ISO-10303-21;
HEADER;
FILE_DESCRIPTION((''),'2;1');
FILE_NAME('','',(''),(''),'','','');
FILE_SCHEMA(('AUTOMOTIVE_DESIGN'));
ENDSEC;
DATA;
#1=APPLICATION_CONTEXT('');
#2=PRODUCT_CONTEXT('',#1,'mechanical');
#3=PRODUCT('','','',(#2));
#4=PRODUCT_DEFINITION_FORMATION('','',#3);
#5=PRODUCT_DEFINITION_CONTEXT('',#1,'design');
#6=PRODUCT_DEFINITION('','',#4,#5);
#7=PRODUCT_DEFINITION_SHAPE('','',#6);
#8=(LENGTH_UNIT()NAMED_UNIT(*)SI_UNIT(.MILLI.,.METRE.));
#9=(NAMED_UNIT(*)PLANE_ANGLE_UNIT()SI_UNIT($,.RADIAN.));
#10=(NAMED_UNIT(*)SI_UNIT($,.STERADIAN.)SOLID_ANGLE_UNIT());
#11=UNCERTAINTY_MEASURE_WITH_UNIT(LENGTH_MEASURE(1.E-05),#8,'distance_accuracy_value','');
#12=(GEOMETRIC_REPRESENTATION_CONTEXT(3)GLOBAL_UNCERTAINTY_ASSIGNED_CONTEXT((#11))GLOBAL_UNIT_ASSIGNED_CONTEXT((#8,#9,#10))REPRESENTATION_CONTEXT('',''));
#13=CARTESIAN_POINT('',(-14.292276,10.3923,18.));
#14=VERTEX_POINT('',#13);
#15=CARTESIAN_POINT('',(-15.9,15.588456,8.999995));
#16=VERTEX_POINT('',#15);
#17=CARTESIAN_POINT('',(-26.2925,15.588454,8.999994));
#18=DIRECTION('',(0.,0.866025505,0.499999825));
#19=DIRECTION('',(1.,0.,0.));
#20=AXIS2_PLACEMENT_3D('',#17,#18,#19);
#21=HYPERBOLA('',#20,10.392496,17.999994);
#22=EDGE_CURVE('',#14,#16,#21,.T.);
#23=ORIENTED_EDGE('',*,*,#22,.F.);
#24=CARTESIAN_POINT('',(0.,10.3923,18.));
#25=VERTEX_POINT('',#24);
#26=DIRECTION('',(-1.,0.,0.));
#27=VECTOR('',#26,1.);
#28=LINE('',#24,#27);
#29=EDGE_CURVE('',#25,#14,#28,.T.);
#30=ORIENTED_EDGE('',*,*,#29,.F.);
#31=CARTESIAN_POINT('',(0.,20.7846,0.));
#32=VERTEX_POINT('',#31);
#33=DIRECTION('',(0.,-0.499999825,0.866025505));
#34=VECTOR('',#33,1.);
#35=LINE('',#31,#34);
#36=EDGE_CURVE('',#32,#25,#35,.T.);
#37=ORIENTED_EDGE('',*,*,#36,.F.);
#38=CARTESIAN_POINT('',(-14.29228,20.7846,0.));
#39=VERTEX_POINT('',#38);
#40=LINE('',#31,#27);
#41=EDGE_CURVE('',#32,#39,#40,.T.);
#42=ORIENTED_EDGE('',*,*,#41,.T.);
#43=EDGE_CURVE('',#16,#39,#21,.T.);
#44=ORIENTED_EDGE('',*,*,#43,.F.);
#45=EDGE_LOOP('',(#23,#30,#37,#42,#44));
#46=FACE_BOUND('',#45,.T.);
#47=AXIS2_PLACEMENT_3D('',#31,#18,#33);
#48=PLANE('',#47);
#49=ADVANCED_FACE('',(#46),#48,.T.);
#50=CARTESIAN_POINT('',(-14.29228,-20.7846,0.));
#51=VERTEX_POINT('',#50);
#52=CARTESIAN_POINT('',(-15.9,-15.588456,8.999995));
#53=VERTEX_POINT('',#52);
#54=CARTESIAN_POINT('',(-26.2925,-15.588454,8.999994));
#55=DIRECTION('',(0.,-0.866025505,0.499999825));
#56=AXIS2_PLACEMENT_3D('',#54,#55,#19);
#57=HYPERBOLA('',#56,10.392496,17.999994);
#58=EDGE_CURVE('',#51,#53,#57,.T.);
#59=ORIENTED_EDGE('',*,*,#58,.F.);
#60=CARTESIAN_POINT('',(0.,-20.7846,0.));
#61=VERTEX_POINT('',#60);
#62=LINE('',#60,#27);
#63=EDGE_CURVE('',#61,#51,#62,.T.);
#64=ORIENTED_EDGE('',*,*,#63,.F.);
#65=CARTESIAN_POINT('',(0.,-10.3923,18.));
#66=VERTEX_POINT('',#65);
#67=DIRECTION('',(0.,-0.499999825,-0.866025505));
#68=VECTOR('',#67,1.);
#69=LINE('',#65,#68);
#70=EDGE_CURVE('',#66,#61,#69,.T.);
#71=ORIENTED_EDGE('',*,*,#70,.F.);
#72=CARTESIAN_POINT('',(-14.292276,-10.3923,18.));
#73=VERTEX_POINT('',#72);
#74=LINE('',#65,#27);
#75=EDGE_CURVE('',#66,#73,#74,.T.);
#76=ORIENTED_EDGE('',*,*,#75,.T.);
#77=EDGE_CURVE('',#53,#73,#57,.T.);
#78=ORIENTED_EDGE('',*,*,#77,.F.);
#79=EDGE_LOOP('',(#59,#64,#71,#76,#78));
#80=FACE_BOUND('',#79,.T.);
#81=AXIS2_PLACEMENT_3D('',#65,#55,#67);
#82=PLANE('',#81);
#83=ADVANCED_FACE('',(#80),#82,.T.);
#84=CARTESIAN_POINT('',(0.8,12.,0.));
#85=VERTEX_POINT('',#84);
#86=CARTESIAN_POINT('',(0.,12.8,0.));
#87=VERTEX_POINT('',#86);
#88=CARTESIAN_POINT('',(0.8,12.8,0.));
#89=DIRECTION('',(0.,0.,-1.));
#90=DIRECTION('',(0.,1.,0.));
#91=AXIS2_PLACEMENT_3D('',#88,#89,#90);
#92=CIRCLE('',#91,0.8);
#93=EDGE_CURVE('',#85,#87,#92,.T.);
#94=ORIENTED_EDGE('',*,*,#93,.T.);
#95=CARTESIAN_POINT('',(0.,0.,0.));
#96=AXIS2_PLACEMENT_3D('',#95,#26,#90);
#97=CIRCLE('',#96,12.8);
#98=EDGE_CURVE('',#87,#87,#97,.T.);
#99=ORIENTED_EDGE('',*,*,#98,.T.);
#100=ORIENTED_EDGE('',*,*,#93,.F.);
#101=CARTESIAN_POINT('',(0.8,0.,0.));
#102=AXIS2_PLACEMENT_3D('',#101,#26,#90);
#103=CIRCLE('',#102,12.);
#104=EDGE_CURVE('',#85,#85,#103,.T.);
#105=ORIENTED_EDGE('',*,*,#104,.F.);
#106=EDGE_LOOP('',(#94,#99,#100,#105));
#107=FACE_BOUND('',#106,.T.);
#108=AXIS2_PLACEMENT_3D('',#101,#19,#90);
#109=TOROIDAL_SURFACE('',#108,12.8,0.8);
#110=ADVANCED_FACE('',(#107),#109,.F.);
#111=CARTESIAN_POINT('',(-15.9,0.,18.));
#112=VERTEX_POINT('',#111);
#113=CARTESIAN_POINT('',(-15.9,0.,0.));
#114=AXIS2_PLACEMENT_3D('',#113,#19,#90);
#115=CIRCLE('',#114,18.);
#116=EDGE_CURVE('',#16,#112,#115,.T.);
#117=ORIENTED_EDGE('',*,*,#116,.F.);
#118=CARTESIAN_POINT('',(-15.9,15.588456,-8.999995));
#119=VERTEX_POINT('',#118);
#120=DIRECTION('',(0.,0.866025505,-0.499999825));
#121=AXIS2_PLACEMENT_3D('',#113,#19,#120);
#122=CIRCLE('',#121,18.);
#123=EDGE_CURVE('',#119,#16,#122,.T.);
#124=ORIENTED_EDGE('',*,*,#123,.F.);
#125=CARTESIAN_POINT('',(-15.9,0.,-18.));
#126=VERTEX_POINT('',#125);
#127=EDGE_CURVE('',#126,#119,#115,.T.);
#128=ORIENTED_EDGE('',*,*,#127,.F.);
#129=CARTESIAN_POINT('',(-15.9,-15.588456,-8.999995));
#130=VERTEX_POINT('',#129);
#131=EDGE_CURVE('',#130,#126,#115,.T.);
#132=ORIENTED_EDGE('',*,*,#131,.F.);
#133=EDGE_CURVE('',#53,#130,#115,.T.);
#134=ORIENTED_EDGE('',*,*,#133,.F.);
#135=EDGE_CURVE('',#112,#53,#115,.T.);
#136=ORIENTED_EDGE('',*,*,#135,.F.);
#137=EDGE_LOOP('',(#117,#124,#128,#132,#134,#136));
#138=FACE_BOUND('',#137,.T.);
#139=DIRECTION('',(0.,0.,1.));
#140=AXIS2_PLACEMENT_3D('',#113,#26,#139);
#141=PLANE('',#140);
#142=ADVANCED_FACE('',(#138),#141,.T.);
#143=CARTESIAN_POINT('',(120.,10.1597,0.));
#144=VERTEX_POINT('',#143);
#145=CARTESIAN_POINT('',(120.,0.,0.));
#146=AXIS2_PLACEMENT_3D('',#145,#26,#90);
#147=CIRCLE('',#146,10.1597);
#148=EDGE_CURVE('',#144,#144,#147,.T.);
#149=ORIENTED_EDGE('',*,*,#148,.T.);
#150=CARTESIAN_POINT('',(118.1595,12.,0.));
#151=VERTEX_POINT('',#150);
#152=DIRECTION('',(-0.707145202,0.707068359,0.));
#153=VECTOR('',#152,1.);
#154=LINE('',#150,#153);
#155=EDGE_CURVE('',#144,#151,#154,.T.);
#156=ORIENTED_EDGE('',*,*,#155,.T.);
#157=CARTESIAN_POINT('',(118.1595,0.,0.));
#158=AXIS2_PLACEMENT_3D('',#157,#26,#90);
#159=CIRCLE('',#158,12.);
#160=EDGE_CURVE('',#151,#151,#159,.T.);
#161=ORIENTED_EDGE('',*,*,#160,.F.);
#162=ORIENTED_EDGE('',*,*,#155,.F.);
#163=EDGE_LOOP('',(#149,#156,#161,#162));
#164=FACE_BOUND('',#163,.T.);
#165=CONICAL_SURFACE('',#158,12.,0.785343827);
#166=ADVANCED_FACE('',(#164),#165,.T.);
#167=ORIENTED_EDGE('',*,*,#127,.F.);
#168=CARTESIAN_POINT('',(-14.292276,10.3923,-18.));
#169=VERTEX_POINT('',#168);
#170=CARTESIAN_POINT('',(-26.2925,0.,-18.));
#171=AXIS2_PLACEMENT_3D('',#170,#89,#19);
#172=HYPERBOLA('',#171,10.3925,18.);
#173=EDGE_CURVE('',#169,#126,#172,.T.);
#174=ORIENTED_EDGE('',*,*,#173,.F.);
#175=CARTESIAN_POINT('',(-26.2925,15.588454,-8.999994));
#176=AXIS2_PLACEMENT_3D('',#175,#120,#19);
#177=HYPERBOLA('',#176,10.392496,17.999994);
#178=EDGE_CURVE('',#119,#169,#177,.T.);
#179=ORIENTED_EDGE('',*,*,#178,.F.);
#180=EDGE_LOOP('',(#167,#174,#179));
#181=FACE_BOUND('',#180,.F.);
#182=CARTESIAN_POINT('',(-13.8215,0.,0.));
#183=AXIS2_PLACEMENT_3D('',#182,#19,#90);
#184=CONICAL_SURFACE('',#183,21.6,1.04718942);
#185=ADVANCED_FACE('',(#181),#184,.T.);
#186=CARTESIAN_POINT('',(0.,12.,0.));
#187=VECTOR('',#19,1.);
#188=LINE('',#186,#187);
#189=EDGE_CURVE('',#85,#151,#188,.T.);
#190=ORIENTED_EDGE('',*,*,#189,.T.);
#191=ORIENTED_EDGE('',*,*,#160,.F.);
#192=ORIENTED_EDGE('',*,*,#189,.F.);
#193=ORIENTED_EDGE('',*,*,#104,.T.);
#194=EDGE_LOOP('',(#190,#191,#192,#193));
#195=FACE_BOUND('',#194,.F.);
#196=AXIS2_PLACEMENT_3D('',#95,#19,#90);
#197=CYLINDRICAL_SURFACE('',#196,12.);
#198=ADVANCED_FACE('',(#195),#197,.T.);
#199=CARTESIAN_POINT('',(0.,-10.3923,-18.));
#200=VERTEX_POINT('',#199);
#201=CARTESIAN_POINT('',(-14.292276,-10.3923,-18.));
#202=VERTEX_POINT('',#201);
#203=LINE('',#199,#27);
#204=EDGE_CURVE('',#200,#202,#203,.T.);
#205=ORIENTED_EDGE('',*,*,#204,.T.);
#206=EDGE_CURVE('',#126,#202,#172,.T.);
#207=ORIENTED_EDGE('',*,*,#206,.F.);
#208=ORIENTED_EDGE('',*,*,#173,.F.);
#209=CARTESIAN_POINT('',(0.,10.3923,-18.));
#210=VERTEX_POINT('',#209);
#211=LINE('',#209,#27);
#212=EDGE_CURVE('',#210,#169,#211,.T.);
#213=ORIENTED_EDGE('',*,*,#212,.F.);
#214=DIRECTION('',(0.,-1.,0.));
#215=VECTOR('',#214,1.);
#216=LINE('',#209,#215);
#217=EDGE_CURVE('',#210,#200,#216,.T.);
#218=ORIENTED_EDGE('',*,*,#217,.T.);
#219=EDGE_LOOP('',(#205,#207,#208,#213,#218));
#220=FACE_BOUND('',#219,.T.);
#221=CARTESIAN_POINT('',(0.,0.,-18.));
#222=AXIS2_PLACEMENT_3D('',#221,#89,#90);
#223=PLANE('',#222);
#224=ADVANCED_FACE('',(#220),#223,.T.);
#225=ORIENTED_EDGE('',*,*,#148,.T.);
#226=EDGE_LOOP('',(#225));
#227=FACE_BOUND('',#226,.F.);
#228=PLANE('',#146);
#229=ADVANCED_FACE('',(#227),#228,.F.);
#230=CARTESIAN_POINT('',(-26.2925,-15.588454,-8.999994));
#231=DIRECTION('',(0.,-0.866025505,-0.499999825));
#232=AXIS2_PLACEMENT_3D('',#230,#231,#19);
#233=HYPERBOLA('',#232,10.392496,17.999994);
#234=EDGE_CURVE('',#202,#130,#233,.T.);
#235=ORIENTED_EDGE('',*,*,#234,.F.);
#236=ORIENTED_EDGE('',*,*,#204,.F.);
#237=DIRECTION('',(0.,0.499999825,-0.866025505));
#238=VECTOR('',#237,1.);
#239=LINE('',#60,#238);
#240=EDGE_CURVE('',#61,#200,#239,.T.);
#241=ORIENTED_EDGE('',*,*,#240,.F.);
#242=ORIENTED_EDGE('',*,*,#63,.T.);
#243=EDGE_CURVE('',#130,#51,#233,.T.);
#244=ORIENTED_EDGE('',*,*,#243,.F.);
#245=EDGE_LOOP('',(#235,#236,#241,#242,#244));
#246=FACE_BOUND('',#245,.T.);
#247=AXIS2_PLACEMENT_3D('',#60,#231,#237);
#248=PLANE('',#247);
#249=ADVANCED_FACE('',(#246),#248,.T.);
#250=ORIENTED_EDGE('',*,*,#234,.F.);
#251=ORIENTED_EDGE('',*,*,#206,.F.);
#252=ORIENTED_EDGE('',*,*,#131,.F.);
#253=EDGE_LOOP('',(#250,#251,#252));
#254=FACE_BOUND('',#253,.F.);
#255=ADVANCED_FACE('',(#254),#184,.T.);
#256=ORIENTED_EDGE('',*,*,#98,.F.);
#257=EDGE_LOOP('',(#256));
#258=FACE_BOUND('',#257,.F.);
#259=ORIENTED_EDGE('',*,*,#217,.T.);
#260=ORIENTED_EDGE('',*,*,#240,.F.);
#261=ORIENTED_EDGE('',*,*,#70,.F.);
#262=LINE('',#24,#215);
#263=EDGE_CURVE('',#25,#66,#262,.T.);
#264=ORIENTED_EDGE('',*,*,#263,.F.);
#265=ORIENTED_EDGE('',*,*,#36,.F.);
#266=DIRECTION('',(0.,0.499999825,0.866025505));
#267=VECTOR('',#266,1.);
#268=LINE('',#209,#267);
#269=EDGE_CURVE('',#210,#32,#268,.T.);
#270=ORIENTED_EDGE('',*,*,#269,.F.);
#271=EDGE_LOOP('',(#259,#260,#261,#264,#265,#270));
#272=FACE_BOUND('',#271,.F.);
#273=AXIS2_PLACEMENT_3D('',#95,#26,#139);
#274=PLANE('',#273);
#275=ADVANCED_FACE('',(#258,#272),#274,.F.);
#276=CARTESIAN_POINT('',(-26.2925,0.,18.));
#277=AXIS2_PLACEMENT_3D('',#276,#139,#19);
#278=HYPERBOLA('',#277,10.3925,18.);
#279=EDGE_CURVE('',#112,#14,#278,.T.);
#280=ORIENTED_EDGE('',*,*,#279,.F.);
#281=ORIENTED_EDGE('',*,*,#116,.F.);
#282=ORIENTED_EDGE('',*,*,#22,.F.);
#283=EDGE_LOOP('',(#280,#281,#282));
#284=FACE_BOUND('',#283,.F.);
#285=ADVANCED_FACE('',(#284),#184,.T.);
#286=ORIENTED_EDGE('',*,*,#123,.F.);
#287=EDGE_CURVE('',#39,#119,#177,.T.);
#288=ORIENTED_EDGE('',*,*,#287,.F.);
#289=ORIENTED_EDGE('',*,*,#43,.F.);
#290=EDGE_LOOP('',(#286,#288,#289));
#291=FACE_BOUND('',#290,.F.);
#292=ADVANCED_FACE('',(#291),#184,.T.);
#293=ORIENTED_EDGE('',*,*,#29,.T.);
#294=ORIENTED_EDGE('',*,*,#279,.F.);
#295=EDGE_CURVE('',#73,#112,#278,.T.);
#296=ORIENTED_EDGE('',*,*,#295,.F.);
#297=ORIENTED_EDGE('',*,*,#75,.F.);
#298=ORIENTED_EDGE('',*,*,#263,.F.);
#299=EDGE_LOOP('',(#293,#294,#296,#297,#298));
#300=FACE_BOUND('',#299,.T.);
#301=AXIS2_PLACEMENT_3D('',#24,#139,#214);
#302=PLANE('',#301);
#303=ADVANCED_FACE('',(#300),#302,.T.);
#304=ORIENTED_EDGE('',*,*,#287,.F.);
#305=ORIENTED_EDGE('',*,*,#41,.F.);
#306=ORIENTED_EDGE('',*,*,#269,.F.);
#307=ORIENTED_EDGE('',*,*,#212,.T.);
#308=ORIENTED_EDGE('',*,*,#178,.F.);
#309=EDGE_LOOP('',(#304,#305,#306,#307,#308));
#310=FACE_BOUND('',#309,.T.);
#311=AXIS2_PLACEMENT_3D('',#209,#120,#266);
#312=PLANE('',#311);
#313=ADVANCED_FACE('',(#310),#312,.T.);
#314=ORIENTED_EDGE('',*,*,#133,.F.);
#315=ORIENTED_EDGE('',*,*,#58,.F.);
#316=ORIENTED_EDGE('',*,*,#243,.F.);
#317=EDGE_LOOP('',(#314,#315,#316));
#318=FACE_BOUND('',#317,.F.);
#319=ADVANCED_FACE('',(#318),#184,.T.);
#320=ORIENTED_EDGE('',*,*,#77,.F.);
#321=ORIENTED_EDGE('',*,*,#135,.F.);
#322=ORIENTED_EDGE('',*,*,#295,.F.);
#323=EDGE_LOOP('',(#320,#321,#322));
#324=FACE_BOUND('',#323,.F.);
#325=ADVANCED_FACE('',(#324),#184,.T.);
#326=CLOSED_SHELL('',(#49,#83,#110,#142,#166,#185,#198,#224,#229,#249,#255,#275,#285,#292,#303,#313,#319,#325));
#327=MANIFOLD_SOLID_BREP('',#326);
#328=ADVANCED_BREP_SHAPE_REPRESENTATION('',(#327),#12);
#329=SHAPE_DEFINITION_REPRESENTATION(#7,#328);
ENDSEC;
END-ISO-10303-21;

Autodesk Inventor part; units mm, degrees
ref_plane "YZ Plane" through (0, 0, 0) normal (1, 0, 0) x (0, 1, 0)
ref_plane "XZ Plane" through (0, 0, 0) normal (0, 1, 0) x (-1, 0, 0)
sketch "Sketch1" plane through (0, 0, 0) normal (0, 0, 1) x (1, 0, 0)
  line L0 (0, 12) -> (120, 12)
  line L1 (120, 12) -> (120, 0)
  line L2 (120, 0) -> (0, 0)
  line L3 (-24, 0) -> (144, 0) projected
  line L4 (0, -2.4) -> (0, 14.4) projected
  line L5 (0, 12) -> (0, 0)
  dimension "d2" = 24
  dimension "d59" = 120
revolve "Body" add sketch "Sketch1" angle 360 about axis through (120, 0, 0) along (-1, 0, 0)
sketch "Sketch2" plane through (0, 0, 0) normal (-1, 0, 0) x (0, 0, 1)
  line L0 (0, 20.7846) -> (18, 10.3923)
  line L1 (18, 10.3923) -> (18, -10.3923)
  line L2 (18, -10.3923) -> (0, -20.7846)
  line L3 (0, -20.7846) -> (-18, -10.3923)
  line L4 (-18, -10.3923) -> (-18, 10.3923)
  line L5 (-18, 10.3923) -> (0, 20.7846)
  line L6 (-25.2, 0) -> (25.2, 0) projected
  line L7 (0, 29.0985) -> (0, -29.0985) projected
  point P0 (0, 0)
  point P1 (0, 0)
  dimension "d11" = 36
extrude "Head" add sketch "Sketch2" along normal blind 15.9
sketch "Sketch4" plane through (0, 0, 0) normal (0, 0, 1) x (1, 0, 0)
  line L0 (-13.8215, 21.6) -> (-15.9, 18)
  line L1 (-1.1, 0) -> (-0.234, 0)
  line L2 (-19.0332, 0) -> (2.8992, 0) projected
  line L3 (-15.9, 21.6) -> (-13.8215, 21.6)
  line L4 (-15.9, 18) -> (-15.9, 21.6)
  line L5 (0, 25.92) -> (0, -4.32) projected
  dimension "d65" = 36
  dimension "d67" = 30
  dimension "d68" = 43.2
  dimension "d69" = 15.9
revolve "Chamfer1" cut sketch "Sketch4" angle 360 about axis through (-1.1, 0, 0) along (1, 0, 0)
thread "Thread" size "M24x3" class "6g" standard "ISO Metric profile" length 54
chamfer "Chamfer2" distance 1.8403 distance2 1.8405 1 edges at (120, -12, 0) measured on face at (120, -3.5418, -1.8589)
fillet "Fillet" radius 0.8 1 edges at (0, -12, 0)
ref_plane "Work Plane1" through (1.525, 0, 0) normal (0, 0, 1) x (1, 0, 0)
equation "\"d2\" = GD"
equation "\"d59\" = NLG"
equation "\"d11\" = SW"
equation "\"d3\" = KOH"
equation "\"d15\" = GEL"
equation "\"d6\" = -0.5 * SPD + 0.5 * GD"
equation "\"d71\" = RR1"
equation "\"d65\" = SW"
equation "\"d67\" = ANG1"
equation "\"d68\" = 1.2 * SW"
equation "\"d69\" = KOH"
equation "\"NLG\" = 120"
equation "\"GD\" = NND"
equation "\"BDM\" = NND"
equation "\"KOH\" = 15.9"
equation "\"GEL\" = 54"
equation "\"SW\" = 36"
equation "\"SW0\" = SW"
equation "\"SPD\" = NND - 1.2269 * PTC"
equation "\"SD2\" = NND"
equation "\"SD\" = 0"
equation "\"ANG1\" = 30deg"
equation "\"GAL\" = 0.61345 * PTC"
equation "\"GUL\" = 0.61345 * PTC"
equation "\"RR\" = 0.1"
equation "\"RR1\" = 0.8"
equation "\"GD1\" = THREADDIA - 1.2269 * PTC"
equation "\"THREADDIA\" = 24"
equation "\"TOA\" = 30deg"
equation "\"PTC\" = 3"
equation "\"KOH1\" = 10.5"
equation "\"NND\" = 24"
equation "\"E0\" = 1.155 * SW"
properties part number "ANSI B18.2.3.5M - M24 x 3 x 120" material "Steel, Mild"
